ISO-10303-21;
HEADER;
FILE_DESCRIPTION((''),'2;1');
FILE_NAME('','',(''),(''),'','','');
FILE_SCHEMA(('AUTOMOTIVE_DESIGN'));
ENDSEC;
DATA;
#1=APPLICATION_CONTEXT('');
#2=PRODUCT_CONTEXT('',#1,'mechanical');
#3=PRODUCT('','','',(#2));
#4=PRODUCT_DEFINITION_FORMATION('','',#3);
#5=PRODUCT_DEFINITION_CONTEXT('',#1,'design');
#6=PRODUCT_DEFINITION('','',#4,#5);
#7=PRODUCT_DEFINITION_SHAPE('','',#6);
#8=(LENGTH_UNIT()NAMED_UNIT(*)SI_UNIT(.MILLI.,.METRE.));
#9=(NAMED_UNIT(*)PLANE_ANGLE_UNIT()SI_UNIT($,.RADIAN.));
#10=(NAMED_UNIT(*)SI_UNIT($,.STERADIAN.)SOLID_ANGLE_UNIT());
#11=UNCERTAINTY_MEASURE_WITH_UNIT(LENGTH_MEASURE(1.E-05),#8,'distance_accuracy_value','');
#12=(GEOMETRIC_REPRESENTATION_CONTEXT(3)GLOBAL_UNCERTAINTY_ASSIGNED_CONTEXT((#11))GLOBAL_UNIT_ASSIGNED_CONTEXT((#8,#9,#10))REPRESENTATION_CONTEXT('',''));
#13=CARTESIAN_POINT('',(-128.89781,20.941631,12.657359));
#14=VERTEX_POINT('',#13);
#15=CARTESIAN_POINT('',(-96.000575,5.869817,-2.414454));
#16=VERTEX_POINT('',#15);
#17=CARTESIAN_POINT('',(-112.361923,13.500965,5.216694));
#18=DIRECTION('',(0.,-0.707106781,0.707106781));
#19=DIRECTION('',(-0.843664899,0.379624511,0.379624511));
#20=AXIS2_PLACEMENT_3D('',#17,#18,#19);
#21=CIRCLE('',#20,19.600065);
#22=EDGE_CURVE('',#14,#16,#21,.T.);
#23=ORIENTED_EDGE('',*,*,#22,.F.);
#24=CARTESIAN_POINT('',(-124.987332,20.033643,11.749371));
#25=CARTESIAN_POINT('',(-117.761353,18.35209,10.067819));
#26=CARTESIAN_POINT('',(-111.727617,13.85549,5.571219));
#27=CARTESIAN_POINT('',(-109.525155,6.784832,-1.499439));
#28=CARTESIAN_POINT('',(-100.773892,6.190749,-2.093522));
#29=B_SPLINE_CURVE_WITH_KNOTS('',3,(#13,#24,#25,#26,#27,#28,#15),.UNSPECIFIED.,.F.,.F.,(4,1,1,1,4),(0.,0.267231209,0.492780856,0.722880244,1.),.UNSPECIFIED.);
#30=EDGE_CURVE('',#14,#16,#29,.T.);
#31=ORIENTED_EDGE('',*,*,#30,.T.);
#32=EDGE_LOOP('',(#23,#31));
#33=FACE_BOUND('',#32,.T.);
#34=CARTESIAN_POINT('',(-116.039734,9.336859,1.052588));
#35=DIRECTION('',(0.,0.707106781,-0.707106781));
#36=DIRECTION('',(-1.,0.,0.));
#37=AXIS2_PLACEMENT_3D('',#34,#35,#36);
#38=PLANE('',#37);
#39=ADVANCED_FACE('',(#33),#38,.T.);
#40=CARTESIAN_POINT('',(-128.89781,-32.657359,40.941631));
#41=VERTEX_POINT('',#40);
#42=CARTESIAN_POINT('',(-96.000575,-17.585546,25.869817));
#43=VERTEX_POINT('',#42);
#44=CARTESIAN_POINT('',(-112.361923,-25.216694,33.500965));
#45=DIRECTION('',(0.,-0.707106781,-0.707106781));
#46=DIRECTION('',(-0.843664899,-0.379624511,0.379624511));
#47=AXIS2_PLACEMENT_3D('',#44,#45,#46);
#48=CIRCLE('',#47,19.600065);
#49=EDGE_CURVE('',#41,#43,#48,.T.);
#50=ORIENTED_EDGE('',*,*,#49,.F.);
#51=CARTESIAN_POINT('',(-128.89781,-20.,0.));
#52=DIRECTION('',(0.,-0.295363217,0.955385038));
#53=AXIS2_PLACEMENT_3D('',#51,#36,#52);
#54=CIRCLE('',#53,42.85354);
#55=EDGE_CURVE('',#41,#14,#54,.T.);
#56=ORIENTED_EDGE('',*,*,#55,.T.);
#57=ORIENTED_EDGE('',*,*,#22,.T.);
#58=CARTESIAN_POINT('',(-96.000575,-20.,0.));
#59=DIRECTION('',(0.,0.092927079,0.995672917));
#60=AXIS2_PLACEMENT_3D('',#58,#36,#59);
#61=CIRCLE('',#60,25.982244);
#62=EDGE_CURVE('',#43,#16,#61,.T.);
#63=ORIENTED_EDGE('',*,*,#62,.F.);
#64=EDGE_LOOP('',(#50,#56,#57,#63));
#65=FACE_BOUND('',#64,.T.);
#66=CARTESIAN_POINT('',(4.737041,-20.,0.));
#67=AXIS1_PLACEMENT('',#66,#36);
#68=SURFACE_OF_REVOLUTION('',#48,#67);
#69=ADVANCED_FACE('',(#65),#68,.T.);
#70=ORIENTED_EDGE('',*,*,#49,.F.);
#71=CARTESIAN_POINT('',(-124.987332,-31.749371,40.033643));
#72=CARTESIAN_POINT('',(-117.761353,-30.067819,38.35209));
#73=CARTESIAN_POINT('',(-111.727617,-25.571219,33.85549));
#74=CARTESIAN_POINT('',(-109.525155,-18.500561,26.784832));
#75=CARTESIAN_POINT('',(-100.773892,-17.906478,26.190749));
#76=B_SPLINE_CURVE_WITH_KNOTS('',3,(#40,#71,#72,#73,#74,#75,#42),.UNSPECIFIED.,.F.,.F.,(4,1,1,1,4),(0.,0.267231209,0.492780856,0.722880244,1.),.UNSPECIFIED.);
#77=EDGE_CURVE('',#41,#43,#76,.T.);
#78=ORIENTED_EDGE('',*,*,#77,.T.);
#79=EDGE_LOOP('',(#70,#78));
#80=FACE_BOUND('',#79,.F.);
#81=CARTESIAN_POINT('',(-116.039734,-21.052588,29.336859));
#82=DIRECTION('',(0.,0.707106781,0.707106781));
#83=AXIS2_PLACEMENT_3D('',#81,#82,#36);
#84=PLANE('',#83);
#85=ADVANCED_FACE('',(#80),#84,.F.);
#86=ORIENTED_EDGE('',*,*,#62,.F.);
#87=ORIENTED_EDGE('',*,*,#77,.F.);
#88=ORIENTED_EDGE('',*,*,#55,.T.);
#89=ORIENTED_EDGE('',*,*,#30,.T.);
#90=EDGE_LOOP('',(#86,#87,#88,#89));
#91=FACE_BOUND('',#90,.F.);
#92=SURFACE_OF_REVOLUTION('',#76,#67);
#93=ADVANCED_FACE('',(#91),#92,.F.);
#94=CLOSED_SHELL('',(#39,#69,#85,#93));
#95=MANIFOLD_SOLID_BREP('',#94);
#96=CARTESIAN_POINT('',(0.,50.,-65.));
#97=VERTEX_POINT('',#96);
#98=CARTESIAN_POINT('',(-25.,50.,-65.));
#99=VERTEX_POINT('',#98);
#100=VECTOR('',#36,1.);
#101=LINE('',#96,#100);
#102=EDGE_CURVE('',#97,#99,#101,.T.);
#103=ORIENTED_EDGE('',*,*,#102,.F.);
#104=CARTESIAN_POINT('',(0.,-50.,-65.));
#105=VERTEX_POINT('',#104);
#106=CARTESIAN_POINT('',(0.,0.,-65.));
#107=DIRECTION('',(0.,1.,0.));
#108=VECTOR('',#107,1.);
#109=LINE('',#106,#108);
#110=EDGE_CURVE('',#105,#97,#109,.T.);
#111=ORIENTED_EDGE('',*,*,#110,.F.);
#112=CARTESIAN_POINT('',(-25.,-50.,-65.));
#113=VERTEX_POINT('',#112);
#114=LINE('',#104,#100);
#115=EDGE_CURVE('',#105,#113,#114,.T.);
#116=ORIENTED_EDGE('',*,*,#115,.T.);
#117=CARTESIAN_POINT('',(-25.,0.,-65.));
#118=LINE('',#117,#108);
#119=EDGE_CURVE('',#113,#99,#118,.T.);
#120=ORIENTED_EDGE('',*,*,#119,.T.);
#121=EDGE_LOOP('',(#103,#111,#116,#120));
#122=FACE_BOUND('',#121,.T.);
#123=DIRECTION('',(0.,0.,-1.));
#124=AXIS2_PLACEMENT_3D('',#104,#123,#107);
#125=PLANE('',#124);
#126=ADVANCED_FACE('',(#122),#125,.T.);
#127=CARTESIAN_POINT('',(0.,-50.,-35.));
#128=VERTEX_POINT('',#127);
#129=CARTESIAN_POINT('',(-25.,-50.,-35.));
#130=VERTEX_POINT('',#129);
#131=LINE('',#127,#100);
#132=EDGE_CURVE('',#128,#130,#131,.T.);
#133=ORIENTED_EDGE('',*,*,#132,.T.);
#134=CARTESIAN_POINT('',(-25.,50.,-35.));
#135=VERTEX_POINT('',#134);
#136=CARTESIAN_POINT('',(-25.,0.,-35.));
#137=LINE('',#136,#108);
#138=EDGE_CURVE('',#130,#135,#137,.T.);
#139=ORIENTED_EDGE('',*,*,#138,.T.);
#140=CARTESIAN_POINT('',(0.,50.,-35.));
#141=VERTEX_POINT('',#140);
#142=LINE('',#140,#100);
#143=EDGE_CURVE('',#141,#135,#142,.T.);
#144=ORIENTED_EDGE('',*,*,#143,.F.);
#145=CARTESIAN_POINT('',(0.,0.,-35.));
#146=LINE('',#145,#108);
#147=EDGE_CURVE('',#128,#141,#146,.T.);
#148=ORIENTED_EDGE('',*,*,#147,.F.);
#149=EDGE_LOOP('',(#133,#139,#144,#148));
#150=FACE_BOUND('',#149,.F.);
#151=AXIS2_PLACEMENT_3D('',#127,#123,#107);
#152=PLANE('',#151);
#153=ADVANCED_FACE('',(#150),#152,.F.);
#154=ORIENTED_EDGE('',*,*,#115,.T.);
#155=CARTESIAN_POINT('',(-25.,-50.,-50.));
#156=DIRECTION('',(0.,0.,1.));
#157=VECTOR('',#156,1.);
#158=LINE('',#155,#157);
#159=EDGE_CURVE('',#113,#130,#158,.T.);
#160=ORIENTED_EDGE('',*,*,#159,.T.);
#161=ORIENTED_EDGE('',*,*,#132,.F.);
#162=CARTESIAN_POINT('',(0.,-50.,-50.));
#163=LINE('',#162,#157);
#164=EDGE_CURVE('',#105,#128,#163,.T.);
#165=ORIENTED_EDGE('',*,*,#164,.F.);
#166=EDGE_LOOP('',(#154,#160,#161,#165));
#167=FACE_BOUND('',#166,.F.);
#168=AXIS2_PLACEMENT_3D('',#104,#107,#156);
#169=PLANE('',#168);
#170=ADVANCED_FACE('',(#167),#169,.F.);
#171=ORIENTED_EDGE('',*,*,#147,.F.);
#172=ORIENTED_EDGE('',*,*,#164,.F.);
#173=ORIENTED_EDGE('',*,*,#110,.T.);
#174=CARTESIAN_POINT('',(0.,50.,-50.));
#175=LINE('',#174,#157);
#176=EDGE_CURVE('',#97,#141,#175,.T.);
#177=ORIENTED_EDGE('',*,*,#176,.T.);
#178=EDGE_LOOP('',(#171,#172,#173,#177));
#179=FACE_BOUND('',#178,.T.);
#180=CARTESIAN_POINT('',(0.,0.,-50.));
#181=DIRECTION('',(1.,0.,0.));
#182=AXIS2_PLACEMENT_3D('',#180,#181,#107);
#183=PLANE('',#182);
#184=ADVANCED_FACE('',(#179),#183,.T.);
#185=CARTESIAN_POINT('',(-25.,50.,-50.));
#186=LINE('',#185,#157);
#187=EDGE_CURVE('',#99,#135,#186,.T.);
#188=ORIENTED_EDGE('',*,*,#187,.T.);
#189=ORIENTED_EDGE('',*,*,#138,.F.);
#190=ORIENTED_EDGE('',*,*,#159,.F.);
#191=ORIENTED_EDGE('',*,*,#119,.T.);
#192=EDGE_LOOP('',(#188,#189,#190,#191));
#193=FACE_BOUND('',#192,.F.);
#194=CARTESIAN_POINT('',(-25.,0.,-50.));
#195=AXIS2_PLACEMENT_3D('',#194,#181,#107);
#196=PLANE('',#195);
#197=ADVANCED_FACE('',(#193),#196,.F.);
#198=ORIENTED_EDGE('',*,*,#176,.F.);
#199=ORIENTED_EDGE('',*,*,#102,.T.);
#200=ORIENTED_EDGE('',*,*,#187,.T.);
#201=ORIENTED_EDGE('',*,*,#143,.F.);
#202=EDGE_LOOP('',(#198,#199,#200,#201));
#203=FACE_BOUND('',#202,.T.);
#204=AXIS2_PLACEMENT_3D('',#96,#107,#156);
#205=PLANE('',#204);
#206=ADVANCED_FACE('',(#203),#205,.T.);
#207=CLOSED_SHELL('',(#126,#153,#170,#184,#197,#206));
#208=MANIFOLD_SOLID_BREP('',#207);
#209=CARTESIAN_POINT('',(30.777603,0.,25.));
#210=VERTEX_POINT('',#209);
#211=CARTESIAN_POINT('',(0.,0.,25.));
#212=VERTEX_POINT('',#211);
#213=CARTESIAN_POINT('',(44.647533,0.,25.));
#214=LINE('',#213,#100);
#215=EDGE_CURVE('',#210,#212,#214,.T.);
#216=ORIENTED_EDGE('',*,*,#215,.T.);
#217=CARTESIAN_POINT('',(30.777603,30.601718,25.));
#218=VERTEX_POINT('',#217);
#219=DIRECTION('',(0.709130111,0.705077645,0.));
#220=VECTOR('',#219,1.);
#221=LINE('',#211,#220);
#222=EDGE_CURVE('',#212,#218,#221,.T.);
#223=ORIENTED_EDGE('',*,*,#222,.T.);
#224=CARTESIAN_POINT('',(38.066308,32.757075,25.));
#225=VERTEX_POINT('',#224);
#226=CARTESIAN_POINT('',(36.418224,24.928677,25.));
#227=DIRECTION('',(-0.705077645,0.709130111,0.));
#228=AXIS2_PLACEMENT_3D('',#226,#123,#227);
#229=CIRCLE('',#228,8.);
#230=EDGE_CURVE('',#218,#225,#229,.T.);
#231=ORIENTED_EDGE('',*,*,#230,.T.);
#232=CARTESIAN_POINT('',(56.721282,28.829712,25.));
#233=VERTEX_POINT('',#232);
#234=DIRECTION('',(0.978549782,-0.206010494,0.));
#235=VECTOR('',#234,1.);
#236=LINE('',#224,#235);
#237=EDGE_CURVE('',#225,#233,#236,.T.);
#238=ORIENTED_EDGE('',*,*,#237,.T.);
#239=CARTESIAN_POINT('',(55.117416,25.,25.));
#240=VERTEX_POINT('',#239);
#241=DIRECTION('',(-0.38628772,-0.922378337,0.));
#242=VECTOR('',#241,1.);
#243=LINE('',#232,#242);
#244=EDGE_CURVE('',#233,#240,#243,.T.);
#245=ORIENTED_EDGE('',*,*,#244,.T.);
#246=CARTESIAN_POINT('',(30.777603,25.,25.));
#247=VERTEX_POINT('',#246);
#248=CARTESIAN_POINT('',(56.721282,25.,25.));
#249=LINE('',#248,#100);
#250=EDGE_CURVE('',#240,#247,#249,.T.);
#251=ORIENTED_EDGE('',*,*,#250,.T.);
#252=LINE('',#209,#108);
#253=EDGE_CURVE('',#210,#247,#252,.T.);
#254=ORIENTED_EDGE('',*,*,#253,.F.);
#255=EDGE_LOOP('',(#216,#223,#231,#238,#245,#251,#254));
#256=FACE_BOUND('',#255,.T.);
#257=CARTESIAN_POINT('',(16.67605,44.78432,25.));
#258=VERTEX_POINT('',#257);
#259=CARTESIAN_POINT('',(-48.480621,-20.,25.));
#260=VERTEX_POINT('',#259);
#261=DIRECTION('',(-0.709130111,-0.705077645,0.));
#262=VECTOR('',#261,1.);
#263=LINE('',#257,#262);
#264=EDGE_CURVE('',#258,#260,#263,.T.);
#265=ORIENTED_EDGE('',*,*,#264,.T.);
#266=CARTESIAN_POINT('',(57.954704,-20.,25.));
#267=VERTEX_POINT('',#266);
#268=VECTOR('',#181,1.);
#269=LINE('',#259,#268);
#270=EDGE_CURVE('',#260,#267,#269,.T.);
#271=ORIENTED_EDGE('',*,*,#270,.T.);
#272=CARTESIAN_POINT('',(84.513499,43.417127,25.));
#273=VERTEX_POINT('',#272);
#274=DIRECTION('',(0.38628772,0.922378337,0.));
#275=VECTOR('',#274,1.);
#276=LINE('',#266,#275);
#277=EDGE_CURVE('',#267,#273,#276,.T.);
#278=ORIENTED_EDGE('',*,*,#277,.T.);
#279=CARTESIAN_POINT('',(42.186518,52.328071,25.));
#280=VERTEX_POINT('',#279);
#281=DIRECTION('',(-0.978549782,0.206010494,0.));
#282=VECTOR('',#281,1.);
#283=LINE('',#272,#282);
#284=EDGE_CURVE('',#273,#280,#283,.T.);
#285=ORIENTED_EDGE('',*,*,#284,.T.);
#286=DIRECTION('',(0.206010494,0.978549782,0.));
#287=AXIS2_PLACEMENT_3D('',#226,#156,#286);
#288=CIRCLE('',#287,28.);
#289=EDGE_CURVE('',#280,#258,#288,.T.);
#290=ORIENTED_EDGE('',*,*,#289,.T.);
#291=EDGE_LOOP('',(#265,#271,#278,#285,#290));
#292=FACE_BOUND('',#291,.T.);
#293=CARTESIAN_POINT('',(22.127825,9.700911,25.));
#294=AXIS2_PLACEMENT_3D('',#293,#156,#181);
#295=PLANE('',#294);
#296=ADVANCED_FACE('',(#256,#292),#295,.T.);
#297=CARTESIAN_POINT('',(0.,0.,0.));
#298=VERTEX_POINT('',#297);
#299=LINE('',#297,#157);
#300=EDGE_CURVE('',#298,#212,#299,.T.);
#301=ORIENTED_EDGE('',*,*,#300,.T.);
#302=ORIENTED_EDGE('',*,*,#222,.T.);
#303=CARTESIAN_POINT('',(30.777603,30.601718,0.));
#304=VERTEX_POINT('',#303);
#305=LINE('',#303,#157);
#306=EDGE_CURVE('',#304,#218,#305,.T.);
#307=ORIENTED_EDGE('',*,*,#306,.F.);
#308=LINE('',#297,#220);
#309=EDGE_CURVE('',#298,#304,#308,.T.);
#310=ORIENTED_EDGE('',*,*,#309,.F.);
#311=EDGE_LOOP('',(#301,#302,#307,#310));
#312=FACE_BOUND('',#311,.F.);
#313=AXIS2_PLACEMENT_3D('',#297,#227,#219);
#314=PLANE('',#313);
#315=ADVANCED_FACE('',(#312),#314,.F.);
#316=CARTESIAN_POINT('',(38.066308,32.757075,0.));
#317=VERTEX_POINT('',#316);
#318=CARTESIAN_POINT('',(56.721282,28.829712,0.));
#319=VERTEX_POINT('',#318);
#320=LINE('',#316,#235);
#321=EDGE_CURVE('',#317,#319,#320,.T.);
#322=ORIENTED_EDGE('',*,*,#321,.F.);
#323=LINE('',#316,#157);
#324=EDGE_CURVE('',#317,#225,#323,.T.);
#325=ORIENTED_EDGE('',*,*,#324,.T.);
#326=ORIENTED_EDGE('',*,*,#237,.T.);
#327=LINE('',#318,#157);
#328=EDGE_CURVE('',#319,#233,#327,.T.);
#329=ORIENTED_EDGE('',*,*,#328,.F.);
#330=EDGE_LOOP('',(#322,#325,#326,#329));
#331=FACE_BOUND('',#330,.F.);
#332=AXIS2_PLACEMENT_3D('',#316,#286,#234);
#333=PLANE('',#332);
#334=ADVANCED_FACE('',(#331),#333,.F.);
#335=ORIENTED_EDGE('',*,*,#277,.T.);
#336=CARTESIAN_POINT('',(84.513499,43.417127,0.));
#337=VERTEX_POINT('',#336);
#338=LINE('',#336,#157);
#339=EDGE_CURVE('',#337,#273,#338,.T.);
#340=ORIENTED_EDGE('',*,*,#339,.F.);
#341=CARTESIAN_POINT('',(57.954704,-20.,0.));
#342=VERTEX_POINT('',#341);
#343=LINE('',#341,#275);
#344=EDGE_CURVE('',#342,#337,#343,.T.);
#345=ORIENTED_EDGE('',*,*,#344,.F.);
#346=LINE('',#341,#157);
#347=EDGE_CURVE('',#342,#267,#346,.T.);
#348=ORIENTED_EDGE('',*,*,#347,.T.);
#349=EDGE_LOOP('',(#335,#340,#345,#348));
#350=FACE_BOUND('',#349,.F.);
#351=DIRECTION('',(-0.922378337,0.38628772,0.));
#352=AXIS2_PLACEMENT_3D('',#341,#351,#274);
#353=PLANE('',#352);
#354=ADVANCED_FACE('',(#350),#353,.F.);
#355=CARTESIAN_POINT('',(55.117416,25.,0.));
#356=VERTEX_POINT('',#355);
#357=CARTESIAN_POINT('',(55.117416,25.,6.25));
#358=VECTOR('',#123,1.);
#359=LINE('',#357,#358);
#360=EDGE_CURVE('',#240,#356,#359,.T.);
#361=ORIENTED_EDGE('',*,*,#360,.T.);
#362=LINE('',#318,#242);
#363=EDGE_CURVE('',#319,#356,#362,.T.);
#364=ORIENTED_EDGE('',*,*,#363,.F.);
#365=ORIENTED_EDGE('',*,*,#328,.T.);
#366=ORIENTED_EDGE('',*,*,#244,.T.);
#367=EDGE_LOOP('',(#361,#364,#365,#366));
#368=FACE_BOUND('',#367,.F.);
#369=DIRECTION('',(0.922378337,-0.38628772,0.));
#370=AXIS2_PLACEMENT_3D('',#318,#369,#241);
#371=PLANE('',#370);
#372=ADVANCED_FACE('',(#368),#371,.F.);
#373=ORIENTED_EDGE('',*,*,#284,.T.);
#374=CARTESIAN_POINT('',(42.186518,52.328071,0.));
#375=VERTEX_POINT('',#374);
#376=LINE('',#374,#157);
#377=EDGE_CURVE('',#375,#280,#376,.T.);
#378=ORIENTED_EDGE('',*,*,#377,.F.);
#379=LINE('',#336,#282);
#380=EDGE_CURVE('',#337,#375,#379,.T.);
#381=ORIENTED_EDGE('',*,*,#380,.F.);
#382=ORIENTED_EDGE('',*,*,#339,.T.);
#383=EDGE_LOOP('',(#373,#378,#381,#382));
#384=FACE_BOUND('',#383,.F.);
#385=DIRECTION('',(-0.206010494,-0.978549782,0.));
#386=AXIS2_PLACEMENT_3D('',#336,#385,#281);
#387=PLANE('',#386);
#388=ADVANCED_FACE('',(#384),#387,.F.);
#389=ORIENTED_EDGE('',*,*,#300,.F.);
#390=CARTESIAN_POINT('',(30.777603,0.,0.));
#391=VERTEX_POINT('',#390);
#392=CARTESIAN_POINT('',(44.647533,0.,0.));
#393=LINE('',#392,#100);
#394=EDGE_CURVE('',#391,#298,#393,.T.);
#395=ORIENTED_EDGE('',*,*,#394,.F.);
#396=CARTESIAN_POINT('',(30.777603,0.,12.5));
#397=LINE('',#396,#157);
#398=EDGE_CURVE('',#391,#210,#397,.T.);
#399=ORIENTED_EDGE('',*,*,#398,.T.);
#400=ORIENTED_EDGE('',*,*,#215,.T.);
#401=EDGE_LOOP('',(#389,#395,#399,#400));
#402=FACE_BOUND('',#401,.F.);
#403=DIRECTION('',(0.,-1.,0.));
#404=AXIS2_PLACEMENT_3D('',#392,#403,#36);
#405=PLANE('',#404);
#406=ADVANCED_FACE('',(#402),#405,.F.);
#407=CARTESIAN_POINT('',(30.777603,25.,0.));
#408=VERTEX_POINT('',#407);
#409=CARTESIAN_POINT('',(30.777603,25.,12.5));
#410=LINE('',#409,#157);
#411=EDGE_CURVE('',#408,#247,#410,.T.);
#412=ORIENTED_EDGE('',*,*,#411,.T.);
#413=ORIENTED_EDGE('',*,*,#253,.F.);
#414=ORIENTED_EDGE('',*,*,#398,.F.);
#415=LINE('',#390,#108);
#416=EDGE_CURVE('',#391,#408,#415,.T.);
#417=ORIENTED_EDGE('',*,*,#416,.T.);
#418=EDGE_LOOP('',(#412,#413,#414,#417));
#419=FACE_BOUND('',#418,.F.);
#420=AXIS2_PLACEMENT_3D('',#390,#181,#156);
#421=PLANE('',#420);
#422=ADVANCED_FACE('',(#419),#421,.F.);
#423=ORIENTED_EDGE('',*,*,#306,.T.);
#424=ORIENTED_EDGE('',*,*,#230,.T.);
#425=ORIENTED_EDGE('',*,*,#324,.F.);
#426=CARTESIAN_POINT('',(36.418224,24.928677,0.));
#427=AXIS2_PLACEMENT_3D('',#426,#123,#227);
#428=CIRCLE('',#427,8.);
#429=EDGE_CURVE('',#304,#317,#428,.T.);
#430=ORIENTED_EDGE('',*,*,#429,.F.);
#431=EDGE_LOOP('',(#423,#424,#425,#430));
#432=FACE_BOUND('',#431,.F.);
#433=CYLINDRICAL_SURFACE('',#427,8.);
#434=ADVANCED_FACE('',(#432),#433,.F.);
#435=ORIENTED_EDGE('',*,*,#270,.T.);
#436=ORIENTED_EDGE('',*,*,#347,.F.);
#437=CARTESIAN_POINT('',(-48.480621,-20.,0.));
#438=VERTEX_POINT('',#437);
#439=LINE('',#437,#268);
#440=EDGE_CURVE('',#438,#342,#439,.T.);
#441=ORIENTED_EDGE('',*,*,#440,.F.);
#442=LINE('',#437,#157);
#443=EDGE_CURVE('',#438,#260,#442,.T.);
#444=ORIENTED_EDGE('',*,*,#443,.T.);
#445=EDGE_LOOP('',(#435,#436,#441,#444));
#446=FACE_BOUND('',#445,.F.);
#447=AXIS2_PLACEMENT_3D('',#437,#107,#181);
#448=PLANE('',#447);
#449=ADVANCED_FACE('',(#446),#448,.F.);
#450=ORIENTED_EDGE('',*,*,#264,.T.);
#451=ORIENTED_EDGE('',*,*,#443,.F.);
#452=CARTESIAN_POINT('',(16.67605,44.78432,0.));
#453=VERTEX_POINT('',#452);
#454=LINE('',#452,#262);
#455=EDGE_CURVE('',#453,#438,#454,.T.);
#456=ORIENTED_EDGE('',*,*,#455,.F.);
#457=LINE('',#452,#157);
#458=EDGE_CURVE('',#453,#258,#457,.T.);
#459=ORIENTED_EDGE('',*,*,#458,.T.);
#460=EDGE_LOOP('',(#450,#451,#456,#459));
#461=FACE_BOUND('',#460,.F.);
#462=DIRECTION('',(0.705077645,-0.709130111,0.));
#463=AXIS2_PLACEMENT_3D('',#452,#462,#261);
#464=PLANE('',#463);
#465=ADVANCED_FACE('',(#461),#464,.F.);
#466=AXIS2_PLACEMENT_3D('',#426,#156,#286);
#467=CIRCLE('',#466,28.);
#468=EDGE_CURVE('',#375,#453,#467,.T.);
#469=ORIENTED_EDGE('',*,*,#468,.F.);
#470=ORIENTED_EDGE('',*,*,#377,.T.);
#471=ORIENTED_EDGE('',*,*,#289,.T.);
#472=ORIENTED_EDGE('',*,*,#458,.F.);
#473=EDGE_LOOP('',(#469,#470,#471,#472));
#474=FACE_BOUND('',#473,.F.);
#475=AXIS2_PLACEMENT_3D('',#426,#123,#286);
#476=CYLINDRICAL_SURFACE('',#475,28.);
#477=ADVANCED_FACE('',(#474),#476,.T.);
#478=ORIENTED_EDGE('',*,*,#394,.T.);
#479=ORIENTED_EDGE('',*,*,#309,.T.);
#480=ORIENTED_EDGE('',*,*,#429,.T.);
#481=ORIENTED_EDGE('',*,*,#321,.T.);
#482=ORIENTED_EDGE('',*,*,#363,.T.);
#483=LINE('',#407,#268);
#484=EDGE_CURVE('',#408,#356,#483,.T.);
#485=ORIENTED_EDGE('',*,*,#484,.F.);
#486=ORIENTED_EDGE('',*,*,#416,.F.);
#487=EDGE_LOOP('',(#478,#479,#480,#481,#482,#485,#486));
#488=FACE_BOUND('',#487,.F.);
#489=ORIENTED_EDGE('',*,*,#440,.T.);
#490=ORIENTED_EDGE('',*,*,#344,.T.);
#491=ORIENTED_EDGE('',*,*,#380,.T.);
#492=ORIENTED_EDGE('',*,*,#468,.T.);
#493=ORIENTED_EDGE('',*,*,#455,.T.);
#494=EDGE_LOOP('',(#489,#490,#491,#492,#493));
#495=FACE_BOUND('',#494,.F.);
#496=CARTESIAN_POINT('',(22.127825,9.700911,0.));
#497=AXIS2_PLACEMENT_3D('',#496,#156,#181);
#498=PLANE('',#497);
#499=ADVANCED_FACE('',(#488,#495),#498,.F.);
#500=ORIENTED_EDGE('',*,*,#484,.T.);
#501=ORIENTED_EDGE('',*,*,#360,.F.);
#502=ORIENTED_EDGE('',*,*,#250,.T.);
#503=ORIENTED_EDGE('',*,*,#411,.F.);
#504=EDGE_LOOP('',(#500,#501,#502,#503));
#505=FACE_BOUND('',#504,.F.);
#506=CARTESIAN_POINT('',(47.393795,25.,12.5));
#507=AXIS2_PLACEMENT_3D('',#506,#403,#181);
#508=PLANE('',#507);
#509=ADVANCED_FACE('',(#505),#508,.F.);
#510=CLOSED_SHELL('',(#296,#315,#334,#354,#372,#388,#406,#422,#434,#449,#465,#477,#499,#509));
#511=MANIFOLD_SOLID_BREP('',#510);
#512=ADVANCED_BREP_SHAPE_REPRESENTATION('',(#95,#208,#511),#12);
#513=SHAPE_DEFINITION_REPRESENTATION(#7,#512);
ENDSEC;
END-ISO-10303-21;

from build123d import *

# Parameters (mm, degrees)
F1_DEPTH      = 25
F2_W          = 18.6549739079
F2_H          = 25
F2_W_2        = 7.2887051135
F3_DEPTH      = 25
F5_ANGLE_BACK = 45
F5_ANGLE      = 90
F6_W          = 100
F6_H          = 30
F7_DEPTH      = 25


with BuildPart() as f1:
    # F0 (on Top) → F1 (new body)
    with BuildSketch(Plane.XY):
        with BuildLine():
            Line((84.5134988863, 43.4171267656), (42.1865175313, 52.3280707933))
            ThreePointArc((42.1865175313, 52.3280707933), (28.4781748194, 51.779293713), (16.676049634, 44.7843199962))
            Line((16.676049634, 44.7843199962), (-48.480621179, -20))
            Line((-48.480621179, -20), (57.9547037237, -20))
            Line((57.9547037237, -20), (84.5134988863, 43.4171267656))
        make_face()
        with BuildLine():
            Line((44.6475334466, 0), (0, 0))
            Line((0, 0), (30.777602538, 30.6017177774))
            ThreePointArc((30.777602538, 30.6017177774), (34.1496383053, 32.6002816965), (38.0663076515, 32.757075148))
            Line((38.0663076515, 32.757075148), (56.7212815594, 28.8297119624))
            Line((56.7212815594, 28.8297119624), (44.6475334466, 0))
        make_face(mode=Mode.SUBTRACT)
    extrude(amount=F1_DEPTH)

    # F2 (on Front) → F3 (join)
    with BuildSketch(Plane.XZ):
        with Locations((47.3937946055, 12.5)):
            Rectangle(F2_W, F2_H)
        with Locations((34.4219550948, 12.5)):
            Rectangle(F2_W_2, F2_H)
    extrude(amount=-F3_DEPTH)


with BuildPart() as f5:
    # F4 (on Front) → F5 (revolve)
    with BuildSketch(Plane.XZ, mode=Mode.PRIVATE) as f5_sk:
        with BuildLine():
            add(Edge.make_bspline(
                [(-128.8978096897, 37.9002092083), (-124.9873321019, 36.616120217), (-117.7613525942, 34.2380457977), (-111.7276169482, 27.87889312), (-109.5251548165, 17.8794732046), (-100.7738921716, 17.0393126701), (-96.0005752069, 16.5854462994)],
                knots=[0, 0, 0, 0, 0.2672312092, 0.4927808556, 0.7228802436, 1, 1, 1, 1], degree=3))
            ThreePointArc((-128.8978096897, 37.9002092083), (-123.0196616187, 10.9283510514), (-96.0005752069, 16.5854462994))
        make_face()
    revolve(f5_sk.sketch.rotate(Axis((4.7370412723, -20, 0), (-1, 0, 0)), -F5_ANGLE_BACK), axis=Axis((4.7370412723, -20, 0), (-1, 0, 0)), revolution_arc=F5_ANGLE)


with BuildPart() as f7:
    # F6 (on Right) → F7 (new body)
    with BuildSketch(Plane.YZ):
        with Locations((0, -50)):
            Rectangle(F6_W, F6_H)
    extrude(amount=-F7_DEPTH)


solid = Compound([f1.part, f5.part, f7.part])
